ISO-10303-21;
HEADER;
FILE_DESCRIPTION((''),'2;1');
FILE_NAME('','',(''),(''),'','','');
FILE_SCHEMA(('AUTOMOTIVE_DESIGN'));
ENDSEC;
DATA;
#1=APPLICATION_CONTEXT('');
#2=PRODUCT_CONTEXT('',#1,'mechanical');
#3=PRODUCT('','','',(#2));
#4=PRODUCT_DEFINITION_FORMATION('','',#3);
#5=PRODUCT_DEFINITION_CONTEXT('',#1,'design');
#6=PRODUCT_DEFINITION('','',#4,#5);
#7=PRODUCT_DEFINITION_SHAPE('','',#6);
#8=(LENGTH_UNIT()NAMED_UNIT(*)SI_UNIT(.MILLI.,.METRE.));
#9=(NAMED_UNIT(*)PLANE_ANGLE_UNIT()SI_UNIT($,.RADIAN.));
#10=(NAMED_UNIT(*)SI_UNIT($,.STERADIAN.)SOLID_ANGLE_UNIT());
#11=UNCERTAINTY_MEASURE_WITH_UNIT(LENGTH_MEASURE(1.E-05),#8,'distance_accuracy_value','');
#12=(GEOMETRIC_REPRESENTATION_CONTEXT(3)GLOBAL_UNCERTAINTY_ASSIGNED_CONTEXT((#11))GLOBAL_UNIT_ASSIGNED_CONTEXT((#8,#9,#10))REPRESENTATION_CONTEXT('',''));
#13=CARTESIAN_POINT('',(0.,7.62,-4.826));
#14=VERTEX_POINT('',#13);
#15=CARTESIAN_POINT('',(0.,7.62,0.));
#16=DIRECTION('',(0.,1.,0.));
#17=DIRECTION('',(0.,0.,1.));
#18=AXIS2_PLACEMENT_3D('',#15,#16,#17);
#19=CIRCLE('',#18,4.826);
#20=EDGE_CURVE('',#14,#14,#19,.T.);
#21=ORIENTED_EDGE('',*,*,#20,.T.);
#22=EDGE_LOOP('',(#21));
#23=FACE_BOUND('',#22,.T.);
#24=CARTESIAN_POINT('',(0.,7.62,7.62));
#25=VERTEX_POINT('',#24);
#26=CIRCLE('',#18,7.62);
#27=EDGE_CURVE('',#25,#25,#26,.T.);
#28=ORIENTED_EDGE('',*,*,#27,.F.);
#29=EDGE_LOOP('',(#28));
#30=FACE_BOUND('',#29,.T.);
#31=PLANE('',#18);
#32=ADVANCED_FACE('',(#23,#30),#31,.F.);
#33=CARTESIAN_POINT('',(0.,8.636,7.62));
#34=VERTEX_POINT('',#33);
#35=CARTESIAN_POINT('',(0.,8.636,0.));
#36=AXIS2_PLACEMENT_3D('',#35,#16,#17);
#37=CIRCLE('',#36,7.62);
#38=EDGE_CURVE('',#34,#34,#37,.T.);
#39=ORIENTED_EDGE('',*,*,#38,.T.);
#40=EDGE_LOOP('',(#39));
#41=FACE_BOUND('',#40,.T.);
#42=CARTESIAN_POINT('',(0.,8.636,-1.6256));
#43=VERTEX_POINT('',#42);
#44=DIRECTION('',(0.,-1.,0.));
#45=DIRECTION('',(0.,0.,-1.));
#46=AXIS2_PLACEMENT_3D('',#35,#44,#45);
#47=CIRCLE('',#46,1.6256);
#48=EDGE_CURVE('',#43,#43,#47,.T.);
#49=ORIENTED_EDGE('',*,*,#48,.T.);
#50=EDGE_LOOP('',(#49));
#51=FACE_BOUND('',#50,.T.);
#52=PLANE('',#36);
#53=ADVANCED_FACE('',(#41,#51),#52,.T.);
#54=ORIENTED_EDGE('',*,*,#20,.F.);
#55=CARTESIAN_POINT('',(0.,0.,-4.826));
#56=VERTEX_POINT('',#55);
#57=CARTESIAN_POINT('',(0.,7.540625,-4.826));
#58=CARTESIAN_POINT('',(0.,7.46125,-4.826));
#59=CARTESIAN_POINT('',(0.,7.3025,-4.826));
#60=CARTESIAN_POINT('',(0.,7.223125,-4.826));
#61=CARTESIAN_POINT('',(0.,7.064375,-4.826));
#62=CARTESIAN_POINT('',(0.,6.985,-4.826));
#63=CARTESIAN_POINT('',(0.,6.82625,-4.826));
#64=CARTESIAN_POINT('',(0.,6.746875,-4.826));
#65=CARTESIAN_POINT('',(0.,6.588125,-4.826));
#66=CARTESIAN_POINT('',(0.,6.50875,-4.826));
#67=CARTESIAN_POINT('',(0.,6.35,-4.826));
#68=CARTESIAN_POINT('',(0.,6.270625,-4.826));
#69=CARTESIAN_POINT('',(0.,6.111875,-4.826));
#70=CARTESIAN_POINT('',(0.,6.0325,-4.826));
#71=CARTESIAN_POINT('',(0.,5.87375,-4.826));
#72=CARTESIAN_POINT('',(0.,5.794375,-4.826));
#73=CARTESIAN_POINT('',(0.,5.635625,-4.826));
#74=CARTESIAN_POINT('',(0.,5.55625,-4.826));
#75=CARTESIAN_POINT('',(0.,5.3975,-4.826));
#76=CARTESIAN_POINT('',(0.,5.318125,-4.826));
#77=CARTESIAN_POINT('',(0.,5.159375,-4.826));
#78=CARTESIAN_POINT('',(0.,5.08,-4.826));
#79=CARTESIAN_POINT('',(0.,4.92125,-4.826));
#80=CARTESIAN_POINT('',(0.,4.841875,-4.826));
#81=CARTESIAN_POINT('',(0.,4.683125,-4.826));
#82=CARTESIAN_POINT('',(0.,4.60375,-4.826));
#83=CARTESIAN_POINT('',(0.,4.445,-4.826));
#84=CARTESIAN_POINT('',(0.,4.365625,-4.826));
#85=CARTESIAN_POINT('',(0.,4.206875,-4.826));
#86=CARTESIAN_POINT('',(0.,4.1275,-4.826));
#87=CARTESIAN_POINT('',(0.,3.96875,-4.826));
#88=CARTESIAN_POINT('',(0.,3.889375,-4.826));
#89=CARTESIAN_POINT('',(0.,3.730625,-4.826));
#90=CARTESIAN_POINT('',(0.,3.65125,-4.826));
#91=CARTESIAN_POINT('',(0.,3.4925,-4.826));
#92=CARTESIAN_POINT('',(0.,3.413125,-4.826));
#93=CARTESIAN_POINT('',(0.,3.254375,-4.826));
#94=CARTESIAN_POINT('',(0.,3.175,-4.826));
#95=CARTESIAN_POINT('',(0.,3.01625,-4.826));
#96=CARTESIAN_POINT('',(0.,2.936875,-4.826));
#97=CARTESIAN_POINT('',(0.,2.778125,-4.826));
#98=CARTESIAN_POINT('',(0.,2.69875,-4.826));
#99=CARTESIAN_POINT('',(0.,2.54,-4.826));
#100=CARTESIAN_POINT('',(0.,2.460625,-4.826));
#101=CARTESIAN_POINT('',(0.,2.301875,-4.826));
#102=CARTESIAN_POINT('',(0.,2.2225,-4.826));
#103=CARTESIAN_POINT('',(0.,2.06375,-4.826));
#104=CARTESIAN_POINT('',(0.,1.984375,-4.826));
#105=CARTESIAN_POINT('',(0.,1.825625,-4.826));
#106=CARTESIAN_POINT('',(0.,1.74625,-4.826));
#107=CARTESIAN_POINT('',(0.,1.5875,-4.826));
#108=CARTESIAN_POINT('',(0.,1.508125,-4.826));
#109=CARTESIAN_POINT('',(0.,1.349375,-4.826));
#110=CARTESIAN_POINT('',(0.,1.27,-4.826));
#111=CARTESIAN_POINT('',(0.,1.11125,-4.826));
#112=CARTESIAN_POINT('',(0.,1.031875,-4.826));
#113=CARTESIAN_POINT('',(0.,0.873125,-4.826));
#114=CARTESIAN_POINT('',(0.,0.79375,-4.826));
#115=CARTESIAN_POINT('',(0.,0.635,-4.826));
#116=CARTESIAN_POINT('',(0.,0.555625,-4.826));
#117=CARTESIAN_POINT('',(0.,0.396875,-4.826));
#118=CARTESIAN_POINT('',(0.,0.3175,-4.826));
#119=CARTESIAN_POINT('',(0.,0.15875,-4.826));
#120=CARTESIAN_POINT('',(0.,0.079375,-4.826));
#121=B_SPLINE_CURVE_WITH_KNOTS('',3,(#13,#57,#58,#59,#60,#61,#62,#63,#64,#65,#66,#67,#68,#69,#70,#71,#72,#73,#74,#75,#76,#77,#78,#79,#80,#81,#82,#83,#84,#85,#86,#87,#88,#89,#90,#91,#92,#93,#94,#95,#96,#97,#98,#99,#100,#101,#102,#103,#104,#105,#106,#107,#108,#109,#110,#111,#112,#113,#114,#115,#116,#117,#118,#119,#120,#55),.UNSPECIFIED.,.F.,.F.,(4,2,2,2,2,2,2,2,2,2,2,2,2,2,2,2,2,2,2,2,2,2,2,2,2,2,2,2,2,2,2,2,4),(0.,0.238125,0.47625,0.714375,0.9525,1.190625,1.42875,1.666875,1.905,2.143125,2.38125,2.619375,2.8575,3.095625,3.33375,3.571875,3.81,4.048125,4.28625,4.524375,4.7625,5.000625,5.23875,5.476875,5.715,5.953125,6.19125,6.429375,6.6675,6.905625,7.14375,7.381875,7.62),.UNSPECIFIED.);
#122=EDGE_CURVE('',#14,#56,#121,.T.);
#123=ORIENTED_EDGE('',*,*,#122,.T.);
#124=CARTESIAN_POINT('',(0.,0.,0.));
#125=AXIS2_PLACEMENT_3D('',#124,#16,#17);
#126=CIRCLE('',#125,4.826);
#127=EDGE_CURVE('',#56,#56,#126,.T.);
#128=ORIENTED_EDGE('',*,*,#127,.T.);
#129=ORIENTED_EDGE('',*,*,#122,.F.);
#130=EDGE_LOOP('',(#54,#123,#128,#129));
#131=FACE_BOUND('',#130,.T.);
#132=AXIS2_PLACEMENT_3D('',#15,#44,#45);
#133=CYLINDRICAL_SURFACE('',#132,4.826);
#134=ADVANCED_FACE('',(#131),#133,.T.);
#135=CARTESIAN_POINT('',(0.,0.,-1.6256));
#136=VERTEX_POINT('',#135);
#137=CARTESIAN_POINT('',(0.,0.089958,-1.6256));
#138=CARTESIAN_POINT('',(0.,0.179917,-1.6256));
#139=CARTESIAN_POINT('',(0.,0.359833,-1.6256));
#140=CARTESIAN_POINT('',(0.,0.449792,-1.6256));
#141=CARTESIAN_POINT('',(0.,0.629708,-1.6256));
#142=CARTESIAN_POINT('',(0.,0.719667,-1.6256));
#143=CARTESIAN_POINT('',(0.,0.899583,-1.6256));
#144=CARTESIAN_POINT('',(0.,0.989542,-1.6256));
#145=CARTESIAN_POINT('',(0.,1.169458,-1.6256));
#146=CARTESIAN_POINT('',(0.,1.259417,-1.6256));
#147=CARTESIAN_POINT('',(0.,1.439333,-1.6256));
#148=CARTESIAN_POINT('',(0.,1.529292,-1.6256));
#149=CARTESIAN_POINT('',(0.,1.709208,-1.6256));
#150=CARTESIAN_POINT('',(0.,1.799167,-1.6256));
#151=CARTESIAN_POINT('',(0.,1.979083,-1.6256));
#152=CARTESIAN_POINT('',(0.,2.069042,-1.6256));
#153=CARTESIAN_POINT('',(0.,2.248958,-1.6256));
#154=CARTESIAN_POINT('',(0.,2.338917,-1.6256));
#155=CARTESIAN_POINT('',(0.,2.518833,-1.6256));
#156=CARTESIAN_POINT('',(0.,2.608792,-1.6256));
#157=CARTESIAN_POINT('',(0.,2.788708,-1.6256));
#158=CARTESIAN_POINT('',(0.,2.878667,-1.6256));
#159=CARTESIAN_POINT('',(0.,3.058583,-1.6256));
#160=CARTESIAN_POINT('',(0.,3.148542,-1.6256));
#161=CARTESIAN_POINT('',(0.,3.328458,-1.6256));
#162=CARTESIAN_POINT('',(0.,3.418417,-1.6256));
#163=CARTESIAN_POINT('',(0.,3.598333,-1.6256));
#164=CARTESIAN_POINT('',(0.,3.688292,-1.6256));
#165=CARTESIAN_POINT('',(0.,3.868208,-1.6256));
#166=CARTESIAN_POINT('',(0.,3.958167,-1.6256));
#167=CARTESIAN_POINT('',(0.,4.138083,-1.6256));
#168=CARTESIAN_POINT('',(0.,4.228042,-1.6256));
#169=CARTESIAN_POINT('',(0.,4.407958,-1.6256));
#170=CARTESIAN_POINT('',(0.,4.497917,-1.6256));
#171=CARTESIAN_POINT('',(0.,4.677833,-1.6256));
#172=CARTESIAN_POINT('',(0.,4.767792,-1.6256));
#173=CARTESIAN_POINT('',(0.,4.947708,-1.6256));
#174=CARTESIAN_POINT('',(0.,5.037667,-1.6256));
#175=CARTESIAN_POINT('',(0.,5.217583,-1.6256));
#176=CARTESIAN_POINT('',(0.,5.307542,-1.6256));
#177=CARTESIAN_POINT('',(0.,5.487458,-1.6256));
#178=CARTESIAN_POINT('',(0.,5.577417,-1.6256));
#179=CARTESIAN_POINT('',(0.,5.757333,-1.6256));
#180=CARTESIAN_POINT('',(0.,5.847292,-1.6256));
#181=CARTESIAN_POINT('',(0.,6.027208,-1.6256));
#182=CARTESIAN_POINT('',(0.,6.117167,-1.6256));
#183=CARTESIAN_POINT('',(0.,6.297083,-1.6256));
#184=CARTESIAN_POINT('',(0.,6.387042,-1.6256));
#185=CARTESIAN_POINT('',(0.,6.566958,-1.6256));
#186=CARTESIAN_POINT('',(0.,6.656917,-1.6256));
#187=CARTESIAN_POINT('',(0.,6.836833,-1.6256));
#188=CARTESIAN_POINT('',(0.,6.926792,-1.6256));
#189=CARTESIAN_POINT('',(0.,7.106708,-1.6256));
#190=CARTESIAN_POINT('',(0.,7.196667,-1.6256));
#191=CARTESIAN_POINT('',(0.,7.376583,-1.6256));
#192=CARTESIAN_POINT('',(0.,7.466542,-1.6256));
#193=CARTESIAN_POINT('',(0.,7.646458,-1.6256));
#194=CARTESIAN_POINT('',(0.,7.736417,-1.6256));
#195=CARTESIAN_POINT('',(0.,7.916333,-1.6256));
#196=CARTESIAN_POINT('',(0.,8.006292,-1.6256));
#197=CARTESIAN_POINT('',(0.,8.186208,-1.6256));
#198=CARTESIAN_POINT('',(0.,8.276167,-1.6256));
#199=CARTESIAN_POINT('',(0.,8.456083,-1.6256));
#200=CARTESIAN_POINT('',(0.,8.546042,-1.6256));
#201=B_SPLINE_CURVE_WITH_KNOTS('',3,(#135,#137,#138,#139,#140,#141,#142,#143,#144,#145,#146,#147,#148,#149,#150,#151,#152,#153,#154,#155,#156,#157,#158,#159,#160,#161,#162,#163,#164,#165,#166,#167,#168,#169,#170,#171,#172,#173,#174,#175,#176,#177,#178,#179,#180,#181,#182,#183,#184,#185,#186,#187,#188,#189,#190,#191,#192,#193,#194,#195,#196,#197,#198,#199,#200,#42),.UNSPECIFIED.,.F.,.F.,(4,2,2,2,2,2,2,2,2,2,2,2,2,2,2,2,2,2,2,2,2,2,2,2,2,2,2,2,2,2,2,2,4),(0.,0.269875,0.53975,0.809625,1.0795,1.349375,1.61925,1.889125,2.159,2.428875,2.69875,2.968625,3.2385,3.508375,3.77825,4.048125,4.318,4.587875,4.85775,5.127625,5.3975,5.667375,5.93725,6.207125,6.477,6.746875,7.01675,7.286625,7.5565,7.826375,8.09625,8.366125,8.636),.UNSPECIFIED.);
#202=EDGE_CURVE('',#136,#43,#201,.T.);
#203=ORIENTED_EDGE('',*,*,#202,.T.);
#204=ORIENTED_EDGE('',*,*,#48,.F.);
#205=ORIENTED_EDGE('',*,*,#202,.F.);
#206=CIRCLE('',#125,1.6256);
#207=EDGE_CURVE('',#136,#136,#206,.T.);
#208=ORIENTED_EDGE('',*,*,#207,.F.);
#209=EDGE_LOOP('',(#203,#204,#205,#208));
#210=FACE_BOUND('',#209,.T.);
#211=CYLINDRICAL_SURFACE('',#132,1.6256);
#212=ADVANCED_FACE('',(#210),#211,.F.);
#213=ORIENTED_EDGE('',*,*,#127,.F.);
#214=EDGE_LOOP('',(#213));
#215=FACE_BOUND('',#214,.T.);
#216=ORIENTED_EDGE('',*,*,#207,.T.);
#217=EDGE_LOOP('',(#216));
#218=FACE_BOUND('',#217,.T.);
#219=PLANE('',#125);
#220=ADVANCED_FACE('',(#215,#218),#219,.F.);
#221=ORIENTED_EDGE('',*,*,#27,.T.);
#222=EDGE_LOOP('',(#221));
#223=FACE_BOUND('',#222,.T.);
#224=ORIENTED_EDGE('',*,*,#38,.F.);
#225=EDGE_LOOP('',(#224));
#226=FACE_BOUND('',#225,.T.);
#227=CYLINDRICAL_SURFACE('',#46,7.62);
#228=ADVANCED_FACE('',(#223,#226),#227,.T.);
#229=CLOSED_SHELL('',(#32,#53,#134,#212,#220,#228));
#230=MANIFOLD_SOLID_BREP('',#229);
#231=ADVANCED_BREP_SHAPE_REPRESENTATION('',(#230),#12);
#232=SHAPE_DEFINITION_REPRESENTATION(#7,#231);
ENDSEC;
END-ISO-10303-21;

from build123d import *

# Parameters (mm, degrees)
SKETCH1_R           = 4.826
SKETCH1_R_2         = 1.6256
BOSS_EXTRUDE1_DEPTH = 7.62
SKETCH2_R           = 7.62
BOSS_EXTRUDE2_DEPTH = 1.016
SKETCH3_R           = 1.6256
CUT_EXTRUDE1_DEPTH  = 14.809753655


with BuildPart() as part:
    # Sketch1 → Boss-Extrude1 (new body)
    with BuildSketch(Plane(origin=(0, 0, 0), x_dir=(1, 0, 0), z_dir=(0, 1, 0))):
        with Locations(Location((0, 0, 0), (0, 0, 90))):
            Circle(SKETCH1_R)
        with Locations(Location((0, 0, 0), (0, 0, 90))):
            Circle(SKETCH1_R_2, mode=Mode.SUBTRACT)
    extrude(amount=BOSS_EXTRUDE1_DEPTH)

    # Sketch2 → Boss-Extrude2 (add)
    with BuildSketch(Plane(origin=(0, 7.62, 0), x_dir=(1, 0, 0), z_dir=(0, 1, 0))):
        with Locations(Location((0, 0, 0), (0, 0, 270))):
            Circle(SKETCH2_R)
    extrude(amount=BOSS_EXTRUDE2_DEPTH)

    # Sketch3 → Cut-Extrude1 (cut, through all)
    with BuildSketch(Plane.XZ):
        with Locations(Location((0, 0, 0), (0, 0, 270))):
            Circle(SKETCH3_R)
    extrude(amount=-CUT_EXTRUDE1_DEPTH, mode=Mode.SUBTRACT)


solid = part.part
